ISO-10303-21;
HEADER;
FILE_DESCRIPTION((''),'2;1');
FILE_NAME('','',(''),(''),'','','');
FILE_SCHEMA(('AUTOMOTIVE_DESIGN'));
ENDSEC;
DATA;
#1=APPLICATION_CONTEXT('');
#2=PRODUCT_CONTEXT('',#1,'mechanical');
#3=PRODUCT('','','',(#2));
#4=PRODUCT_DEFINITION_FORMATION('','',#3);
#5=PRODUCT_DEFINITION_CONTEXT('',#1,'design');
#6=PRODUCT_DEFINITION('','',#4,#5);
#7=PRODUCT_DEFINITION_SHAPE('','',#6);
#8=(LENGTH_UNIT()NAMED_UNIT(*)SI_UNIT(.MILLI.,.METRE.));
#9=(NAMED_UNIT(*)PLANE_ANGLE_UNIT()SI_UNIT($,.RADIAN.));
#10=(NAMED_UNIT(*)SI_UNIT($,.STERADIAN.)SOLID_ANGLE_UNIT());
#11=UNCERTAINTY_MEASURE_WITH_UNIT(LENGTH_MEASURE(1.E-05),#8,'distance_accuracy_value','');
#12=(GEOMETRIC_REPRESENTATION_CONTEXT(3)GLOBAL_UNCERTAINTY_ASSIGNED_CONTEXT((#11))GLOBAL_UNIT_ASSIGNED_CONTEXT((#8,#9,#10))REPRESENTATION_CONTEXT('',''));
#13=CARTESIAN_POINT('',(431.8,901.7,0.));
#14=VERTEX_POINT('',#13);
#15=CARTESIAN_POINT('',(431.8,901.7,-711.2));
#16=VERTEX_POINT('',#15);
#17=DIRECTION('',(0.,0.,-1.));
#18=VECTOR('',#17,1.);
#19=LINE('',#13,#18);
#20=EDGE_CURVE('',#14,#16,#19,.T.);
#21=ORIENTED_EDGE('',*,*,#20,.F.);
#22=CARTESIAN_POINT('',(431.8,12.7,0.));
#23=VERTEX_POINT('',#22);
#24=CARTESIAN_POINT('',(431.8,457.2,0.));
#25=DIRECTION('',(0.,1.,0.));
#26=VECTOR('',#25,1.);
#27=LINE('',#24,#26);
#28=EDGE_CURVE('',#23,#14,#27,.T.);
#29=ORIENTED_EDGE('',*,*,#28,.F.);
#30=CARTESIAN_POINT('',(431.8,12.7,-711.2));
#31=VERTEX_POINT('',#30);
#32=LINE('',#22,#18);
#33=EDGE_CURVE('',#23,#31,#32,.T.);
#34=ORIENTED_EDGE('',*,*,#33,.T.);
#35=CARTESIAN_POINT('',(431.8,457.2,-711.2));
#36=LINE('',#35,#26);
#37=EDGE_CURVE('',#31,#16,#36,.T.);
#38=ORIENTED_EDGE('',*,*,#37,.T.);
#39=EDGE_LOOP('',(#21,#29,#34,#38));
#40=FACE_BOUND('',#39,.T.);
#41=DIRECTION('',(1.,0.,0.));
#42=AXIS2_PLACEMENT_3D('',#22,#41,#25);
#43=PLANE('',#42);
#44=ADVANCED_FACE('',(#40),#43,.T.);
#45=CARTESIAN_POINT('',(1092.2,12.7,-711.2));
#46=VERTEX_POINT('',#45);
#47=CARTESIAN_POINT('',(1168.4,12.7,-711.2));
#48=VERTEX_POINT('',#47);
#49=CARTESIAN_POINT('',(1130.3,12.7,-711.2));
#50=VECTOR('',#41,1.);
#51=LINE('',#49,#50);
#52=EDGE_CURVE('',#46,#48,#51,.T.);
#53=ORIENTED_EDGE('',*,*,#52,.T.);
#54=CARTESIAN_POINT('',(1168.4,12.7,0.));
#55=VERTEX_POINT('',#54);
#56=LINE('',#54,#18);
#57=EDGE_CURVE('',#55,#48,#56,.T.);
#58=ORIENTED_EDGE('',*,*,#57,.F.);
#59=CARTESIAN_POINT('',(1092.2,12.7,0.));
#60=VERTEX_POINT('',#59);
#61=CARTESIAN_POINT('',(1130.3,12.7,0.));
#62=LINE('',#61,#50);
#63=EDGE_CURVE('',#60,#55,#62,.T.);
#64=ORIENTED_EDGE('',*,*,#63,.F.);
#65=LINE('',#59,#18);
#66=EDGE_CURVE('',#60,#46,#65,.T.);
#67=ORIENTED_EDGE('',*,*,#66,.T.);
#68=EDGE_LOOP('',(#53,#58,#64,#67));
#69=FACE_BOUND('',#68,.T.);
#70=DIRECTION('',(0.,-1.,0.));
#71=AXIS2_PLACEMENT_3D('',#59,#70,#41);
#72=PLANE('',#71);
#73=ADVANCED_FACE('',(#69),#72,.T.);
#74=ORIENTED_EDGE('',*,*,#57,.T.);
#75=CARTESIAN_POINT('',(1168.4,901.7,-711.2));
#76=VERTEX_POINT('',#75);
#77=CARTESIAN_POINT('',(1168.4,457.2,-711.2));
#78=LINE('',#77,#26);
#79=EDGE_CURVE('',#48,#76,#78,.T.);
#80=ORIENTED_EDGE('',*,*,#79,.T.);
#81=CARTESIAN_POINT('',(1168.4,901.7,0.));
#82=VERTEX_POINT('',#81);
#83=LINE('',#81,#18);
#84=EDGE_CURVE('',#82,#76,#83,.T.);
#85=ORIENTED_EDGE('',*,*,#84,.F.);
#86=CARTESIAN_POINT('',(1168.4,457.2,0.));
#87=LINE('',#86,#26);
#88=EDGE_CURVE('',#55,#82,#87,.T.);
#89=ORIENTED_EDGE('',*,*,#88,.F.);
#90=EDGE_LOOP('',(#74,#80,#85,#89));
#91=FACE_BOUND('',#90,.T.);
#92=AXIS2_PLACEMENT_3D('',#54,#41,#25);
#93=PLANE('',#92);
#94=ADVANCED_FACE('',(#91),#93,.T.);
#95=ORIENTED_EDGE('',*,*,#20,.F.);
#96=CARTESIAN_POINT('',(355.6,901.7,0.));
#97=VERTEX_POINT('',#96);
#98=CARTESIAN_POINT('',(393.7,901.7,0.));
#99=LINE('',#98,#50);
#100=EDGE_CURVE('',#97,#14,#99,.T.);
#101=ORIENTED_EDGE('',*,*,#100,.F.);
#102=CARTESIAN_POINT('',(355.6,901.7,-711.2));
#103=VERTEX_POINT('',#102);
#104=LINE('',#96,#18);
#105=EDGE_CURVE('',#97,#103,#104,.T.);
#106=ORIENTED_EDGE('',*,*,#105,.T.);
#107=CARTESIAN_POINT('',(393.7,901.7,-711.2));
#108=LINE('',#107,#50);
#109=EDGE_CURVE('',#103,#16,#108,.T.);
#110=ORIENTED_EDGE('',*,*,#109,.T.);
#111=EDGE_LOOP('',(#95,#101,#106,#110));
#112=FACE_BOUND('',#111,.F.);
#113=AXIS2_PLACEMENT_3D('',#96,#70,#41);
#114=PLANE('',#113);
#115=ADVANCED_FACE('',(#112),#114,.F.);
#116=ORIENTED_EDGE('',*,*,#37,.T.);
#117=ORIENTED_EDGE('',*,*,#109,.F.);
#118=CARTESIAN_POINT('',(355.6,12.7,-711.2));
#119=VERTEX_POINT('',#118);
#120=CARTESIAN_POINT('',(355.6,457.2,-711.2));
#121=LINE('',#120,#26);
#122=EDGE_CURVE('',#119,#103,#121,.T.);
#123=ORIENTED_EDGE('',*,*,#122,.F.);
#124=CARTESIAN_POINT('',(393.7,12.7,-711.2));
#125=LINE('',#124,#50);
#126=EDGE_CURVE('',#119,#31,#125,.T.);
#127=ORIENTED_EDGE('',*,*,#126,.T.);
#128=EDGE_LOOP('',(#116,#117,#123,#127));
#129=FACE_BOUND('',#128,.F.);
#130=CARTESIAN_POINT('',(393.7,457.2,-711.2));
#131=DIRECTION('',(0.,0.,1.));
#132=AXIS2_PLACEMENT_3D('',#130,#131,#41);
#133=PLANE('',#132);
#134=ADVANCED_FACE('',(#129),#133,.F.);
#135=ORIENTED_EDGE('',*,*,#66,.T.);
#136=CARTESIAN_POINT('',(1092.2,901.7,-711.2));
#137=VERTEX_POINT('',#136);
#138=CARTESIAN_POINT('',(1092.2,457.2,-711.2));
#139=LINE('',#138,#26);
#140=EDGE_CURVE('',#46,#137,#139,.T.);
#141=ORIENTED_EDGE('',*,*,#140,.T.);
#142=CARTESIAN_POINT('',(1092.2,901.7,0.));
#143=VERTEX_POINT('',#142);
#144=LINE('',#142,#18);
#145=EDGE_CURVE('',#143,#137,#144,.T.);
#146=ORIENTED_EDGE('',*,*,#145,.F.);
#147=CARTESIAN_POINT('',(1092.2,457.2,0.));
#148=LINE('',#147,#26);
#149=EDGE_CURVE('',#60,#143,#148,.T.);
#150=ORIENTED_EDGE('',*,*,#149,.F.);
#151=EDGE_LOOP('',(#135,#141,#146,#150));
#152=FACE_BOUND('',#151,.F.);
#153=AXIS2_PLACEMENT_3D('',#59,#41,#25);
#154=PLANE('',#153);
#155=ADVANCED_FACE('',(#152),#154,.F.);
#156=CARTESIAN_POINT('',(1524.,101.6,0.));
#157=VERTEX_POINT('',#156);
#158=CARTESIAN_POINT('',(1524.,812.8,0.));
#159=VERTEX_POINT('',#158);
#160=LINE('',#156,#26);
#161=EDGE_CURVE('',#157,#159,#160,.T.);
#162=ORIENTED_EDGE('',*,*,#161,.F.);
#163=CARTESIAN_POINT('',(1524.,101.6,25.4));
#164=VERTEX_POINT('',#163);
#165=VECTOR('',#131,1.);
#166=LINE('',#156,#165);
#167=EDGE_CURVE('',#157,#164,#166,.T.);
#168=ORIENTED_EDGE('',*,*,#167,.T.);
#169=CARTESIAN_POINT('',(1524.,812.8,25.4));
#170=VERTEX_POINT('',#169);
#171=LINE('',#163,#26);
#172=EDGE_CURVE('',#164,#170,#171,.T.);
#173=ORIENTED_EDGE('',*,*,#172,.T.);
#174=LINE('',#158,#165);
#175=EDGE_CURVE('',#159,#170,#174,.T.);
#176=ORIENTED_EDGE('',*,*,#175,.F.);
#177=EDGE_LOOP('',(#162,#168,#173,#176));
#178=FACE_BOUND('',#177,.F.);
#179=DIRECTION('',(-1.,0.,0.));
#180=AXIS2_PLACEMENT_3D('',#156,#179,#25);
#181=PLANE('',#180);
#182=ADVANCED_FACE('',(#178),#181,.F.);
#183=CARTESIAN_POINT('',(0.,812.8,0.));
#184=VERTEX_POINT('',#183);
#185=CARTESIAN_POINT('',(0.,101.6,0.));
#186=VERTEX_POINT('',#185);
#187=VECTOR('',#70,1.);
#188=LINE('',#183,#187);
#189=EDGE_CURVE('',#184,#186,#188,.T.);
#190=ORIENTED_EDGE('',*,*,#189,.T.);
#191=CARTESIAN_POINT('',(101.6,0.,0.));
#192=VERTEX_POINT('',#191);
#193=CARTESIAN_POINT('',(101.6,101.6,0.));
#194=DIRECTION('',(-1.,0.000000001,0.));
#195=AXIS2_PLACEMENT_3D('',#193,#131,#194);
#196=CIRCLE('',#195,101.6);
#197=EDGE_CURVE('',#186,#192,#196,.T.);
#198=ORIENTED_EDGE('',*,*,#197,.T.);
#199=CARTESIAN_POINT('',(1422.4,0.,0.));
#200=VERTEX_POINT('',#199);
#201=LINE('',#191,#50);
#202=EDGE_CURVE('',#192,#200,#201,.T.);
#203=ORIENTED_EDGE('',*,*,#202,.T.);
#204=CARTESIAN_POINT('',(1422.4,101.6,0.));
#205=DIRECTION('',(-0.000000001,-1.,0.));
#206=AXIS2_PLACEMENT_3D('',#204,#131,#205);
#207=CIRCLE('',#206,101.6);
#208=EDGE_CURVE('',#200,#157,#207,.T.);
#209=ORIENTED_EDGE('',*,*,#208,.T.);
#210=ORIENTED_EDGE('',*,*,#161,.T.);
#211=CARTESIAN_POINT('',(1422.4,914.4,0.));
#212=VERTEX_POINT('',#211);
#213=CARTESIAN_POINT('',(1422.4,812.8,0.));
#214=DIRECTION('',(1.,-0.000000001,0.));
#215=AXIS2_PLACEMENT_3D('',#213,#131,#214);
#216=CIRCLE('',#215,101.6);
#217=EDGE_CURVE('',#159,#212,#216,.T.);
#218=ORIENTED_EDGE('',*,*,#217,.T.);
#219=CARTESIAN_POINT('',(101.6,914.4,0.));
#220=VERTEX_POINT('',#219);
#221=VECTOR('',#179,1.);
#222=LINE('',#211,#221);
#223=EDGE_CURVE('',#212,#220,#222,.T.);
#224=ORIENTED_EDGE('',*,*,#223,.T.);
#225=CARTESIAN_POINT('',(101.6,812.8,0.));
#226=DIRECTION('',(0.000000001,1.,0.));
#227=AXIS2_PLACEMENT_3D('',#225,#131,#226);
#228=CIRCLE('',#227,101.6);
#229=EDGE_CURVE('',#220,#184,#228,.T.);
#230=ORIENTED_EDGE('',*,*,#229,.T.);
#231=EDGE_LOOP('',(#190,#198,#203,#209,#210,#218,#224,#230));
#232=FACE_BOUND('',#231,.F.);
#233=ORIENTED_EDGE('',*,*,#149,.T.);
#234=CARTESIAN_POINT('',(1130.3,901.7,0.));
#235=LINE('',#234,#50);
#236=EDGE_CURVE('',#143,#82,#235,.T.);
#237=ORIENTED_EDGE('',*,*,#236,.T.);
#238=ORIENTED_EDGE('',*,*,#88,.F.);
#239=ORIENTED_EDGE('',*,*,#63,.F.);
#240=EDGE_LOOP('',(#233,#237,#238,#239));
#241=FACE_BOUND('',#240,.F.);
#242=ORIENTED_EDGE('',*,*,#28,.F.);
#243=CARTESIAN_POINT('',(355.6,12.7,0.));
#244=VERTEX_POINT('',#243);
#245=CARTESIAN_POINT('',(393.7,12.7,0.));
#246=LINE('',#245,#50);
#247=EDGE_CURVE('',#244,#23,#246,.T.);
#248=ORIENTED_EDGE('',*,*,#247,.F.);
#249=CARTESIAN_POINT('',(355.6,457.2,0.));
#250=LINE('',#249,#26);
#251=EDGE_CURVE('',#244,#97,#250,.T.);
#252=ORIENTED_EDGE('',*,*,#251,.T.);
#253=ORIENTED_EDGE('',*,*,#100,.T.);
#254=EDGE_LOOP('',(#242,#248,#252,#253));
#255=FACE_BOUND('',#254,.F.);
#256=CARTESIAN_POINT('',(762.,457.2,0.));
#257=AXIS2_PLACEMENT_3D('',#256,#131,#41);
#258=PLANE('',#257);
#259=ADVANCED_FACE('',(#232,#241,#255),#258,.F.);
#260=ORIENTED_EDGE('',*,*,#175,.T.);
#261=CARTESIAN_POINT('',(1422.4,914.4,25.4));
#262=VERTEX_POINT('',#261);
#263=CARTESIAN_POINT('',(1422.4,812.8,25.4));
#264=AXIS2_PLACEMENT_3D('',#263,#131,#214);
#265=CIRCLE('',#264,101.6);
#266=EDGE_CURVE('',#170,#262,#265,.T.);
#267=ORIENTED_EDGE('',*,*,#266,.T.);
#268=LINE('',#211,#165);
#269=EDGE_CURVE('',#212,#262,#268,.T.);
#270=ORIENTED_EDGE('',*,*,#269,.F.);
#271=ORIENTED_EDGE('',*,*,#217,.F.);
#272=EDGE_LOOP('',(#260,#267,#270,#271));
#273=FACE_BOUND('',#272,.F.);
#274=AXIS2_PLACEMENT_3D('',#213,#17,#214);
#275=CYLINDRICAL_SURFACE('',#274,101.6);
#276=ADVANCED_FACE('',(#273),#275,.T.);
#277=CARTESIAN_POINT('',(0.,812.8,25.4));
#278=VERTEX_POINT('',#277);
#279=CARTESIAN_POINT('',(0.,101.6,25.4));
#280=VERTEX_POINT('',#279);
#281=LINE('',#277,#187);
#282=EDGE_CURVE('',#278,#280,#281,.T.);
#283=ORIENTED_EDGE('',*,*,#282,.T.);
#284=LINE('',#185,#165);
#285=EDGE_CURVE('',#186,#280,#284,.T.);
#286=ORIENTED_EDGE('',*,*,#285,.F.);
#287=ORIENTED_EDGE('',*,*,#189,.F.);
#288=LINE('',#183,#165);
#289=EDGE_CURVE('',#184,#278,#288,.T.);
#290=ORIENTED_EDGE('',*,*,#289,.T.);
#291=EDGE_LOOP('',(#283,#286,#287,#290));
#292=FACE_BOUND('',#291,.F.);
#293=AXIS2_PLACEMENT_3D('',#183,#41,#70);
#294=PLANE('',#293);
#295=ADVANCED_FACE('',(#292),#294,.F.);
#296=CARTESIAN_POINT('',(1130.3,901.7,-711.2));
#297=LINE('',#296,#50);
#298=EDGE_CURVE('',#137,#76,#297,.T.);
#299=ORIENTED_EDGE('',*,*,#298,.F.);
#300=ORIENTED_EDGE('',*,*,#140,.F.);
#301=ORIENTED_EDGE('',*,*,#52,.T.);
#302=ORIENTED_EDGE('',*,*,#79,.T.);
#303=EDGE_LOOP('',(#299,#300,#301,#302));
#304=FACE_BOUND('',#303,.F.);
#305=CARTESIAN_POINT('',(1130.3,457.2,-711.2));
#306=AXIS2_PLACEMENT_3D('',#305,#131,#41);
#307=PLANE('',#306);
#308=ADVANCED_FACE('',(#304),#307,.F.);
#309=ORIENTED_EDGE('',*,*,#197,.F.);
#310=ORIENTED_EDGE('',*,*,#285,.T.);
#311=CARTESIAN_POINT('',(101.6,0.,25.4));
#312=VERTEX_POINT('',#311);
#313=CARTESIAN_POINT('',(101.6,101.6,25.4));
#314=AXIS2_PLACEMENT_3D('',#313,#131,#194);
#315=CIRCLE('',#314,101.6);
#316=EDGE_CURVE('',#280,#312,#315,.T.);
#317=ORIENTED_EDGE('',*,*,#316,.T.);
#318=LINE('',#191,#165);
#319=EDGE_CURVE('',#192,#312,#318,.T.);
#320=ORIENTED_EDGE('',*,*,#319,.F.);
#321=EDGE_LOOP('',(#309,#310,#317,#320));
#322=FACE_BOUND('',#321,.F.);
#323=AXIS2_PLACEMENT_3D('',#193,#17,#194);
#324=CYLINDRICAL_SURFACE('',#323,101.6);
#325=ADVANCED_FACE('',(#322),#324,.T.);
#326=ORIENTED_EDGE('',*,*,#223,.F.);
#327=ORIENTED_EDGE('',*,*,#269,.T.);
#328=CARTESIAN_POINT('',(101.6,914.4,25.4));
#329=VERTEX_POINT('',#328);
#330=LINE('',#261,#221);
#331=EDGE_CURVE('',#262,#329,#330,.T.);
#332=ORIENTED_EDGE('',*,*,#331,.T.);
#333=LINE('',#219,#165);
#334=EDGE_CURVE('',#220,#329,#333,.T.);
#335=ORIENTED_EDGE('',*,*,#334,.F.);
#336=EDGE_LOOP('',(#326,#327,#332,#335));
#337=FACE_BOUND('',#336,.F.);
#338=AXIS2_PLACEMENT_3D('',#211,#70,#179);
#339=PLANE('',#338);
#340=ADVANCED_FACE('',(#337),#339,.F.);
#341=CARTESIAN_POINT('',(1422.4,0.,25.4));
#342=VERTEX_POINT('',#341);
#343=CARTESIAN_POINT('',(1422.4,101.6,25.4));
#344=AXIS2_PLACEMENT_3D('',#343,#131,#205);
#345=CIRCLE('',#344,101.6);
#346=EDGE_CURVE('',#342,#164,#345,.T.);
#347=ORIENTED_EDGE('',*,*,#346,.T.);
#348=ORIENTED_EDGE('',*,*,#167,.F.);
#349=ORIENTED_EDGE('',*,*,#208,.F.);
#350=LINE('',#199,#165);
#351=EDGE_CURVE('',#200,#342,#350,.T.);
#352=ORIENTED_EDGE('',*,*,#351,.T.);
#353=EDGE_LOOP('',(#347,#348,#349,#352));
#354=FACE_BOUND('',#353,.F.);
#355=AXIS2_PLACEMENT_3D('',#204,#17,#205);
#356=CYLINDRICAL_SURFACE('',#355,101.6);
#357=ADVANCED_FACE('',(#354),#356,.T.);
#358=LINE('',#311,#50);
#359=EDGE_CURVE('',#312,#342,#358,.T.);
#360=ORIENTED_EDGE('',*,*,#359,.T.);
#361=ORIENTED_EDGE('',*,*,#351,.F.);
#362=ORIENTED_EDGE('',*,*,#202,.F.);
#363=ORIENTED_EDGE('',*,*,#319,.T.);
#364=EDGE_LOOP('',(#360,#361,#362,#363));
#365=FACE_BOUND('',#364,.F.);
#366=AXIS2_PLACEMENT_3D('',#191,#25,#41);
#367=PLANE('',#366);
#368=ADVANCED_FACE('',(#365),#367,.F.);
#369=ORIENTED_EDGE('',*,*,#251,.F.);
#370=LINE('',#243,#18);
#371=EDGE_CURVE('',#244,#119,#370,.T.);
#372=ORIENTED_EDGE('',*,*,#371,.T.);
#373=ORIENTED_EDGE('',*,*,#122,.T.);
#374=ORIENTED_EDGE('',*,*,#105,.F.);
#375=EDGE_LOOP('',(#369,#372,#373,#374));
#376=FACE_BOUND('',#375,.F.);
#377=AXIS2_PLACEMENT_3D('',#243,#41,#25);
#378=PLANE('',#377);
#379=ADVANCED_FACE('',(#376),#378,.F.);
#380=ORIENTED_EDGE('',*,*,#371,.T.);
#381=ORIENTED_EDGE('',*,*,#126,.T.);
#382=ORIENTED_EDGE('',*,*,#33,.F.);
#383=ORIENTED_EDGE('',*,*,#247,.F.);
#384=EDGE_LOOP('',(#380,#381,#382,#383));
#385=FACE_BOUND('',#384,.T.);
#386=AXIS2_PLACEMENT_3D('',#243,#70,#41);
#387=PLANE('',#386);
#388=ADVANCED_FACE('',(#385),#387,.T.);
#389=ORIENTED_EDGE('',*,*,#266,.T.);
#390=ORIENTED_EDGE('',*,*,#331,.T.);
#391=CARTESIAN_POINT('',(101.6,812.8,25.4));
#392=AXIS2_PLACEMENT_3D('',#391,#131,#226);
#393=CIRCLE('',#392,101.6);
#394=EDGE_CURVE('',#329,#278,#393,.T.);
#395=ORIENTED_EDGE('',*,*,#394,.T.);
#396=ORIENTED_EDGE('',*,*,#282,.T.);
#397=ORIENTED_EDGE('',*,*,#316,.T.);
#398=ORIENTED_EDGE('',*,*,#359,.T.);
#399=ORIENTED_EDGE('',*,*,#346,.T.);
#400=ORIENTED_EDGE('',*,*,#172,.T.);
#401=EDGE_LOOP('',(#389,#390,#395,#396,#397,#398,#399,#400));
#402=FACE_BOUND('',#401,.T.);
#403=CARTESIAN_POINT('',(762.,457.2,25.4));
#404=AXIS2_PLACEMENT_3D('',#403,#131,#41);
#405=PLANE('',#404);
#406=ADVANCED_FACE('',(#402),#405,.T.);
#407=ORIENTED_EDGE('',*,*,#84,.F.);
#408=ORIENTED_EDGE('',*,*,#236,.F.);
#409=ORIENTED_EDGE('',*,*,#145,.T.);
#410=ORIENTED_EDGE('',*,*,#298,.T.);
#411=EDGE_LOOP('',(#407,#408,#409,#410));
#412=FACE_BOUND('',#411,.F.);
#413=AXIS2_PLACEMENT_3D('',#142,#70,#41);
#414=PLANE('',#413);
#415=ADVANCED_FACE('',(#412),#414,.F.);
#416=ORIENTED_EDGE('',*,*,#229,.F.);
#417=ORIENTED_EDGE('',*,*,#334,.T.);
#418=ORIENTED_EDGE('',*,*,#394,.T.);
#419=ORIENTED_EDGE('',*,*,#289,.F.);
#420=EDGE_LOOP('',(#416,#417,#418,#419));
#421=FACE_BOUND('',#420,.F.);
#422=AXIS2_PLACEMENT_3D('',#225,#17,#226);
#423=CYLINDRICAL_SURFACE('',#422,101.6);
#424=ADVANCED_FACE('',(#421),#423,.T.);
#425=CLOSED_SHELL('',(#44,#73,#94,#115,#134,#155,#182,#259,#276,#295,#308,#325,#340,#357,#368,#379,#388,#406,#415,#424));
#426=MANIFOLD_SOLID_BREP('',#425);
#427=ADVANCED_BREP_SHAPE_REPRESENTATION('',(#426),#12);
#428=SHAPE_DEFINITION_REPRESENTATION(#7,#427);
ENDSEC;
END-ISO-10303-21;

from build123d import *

# Parameters (mm, degrees)
F2_DEPTH = 25.4
F1_W     = 76.2
F1_H     = 889
F3_DEPTH = 711.2


with BuildPart() as f2:
    # F0 (on Top) → F2 (new body)
    with BuildSketch(Plane.XY):
        with BuildLine():
            ThreePointArc((0, 101.6), (29.757951, 29.757951), (101.6, 0))
            Line((101.6, 0), (1422.4, 0))
            ThreePointArc((1422.4, 0), (1494.242049, 29.757951), (1524, 101.6))
            Line((1524, 101.6), (1524, 812.8))
            ThreePointArc((1524, 812.8), (1494.242049, 884.642049), (1422.4, 914.4))
            Line((1422.4, 914.4), (101.6, 914.4))
            ThreePointArc((101.6, 914.4), (29.757951, 884.642049), (0, 812.8))
            Line((0, 812.8), (0, 101.6))
        make_face()
    extrude(amount=F2_DEPTH)

    # F1 (on Top) → F3 (join)
    with BuildSketch(Plane.XY):
        with Locations((393.7, 457.2)):
            Rectangle(F1_W, F1_H)
        with Locations((1130.3, 457.2)):
            Rectangle(F1_W, F1_H)
    extrude(amount=-F3_DEPTH)


solid = f2.part
